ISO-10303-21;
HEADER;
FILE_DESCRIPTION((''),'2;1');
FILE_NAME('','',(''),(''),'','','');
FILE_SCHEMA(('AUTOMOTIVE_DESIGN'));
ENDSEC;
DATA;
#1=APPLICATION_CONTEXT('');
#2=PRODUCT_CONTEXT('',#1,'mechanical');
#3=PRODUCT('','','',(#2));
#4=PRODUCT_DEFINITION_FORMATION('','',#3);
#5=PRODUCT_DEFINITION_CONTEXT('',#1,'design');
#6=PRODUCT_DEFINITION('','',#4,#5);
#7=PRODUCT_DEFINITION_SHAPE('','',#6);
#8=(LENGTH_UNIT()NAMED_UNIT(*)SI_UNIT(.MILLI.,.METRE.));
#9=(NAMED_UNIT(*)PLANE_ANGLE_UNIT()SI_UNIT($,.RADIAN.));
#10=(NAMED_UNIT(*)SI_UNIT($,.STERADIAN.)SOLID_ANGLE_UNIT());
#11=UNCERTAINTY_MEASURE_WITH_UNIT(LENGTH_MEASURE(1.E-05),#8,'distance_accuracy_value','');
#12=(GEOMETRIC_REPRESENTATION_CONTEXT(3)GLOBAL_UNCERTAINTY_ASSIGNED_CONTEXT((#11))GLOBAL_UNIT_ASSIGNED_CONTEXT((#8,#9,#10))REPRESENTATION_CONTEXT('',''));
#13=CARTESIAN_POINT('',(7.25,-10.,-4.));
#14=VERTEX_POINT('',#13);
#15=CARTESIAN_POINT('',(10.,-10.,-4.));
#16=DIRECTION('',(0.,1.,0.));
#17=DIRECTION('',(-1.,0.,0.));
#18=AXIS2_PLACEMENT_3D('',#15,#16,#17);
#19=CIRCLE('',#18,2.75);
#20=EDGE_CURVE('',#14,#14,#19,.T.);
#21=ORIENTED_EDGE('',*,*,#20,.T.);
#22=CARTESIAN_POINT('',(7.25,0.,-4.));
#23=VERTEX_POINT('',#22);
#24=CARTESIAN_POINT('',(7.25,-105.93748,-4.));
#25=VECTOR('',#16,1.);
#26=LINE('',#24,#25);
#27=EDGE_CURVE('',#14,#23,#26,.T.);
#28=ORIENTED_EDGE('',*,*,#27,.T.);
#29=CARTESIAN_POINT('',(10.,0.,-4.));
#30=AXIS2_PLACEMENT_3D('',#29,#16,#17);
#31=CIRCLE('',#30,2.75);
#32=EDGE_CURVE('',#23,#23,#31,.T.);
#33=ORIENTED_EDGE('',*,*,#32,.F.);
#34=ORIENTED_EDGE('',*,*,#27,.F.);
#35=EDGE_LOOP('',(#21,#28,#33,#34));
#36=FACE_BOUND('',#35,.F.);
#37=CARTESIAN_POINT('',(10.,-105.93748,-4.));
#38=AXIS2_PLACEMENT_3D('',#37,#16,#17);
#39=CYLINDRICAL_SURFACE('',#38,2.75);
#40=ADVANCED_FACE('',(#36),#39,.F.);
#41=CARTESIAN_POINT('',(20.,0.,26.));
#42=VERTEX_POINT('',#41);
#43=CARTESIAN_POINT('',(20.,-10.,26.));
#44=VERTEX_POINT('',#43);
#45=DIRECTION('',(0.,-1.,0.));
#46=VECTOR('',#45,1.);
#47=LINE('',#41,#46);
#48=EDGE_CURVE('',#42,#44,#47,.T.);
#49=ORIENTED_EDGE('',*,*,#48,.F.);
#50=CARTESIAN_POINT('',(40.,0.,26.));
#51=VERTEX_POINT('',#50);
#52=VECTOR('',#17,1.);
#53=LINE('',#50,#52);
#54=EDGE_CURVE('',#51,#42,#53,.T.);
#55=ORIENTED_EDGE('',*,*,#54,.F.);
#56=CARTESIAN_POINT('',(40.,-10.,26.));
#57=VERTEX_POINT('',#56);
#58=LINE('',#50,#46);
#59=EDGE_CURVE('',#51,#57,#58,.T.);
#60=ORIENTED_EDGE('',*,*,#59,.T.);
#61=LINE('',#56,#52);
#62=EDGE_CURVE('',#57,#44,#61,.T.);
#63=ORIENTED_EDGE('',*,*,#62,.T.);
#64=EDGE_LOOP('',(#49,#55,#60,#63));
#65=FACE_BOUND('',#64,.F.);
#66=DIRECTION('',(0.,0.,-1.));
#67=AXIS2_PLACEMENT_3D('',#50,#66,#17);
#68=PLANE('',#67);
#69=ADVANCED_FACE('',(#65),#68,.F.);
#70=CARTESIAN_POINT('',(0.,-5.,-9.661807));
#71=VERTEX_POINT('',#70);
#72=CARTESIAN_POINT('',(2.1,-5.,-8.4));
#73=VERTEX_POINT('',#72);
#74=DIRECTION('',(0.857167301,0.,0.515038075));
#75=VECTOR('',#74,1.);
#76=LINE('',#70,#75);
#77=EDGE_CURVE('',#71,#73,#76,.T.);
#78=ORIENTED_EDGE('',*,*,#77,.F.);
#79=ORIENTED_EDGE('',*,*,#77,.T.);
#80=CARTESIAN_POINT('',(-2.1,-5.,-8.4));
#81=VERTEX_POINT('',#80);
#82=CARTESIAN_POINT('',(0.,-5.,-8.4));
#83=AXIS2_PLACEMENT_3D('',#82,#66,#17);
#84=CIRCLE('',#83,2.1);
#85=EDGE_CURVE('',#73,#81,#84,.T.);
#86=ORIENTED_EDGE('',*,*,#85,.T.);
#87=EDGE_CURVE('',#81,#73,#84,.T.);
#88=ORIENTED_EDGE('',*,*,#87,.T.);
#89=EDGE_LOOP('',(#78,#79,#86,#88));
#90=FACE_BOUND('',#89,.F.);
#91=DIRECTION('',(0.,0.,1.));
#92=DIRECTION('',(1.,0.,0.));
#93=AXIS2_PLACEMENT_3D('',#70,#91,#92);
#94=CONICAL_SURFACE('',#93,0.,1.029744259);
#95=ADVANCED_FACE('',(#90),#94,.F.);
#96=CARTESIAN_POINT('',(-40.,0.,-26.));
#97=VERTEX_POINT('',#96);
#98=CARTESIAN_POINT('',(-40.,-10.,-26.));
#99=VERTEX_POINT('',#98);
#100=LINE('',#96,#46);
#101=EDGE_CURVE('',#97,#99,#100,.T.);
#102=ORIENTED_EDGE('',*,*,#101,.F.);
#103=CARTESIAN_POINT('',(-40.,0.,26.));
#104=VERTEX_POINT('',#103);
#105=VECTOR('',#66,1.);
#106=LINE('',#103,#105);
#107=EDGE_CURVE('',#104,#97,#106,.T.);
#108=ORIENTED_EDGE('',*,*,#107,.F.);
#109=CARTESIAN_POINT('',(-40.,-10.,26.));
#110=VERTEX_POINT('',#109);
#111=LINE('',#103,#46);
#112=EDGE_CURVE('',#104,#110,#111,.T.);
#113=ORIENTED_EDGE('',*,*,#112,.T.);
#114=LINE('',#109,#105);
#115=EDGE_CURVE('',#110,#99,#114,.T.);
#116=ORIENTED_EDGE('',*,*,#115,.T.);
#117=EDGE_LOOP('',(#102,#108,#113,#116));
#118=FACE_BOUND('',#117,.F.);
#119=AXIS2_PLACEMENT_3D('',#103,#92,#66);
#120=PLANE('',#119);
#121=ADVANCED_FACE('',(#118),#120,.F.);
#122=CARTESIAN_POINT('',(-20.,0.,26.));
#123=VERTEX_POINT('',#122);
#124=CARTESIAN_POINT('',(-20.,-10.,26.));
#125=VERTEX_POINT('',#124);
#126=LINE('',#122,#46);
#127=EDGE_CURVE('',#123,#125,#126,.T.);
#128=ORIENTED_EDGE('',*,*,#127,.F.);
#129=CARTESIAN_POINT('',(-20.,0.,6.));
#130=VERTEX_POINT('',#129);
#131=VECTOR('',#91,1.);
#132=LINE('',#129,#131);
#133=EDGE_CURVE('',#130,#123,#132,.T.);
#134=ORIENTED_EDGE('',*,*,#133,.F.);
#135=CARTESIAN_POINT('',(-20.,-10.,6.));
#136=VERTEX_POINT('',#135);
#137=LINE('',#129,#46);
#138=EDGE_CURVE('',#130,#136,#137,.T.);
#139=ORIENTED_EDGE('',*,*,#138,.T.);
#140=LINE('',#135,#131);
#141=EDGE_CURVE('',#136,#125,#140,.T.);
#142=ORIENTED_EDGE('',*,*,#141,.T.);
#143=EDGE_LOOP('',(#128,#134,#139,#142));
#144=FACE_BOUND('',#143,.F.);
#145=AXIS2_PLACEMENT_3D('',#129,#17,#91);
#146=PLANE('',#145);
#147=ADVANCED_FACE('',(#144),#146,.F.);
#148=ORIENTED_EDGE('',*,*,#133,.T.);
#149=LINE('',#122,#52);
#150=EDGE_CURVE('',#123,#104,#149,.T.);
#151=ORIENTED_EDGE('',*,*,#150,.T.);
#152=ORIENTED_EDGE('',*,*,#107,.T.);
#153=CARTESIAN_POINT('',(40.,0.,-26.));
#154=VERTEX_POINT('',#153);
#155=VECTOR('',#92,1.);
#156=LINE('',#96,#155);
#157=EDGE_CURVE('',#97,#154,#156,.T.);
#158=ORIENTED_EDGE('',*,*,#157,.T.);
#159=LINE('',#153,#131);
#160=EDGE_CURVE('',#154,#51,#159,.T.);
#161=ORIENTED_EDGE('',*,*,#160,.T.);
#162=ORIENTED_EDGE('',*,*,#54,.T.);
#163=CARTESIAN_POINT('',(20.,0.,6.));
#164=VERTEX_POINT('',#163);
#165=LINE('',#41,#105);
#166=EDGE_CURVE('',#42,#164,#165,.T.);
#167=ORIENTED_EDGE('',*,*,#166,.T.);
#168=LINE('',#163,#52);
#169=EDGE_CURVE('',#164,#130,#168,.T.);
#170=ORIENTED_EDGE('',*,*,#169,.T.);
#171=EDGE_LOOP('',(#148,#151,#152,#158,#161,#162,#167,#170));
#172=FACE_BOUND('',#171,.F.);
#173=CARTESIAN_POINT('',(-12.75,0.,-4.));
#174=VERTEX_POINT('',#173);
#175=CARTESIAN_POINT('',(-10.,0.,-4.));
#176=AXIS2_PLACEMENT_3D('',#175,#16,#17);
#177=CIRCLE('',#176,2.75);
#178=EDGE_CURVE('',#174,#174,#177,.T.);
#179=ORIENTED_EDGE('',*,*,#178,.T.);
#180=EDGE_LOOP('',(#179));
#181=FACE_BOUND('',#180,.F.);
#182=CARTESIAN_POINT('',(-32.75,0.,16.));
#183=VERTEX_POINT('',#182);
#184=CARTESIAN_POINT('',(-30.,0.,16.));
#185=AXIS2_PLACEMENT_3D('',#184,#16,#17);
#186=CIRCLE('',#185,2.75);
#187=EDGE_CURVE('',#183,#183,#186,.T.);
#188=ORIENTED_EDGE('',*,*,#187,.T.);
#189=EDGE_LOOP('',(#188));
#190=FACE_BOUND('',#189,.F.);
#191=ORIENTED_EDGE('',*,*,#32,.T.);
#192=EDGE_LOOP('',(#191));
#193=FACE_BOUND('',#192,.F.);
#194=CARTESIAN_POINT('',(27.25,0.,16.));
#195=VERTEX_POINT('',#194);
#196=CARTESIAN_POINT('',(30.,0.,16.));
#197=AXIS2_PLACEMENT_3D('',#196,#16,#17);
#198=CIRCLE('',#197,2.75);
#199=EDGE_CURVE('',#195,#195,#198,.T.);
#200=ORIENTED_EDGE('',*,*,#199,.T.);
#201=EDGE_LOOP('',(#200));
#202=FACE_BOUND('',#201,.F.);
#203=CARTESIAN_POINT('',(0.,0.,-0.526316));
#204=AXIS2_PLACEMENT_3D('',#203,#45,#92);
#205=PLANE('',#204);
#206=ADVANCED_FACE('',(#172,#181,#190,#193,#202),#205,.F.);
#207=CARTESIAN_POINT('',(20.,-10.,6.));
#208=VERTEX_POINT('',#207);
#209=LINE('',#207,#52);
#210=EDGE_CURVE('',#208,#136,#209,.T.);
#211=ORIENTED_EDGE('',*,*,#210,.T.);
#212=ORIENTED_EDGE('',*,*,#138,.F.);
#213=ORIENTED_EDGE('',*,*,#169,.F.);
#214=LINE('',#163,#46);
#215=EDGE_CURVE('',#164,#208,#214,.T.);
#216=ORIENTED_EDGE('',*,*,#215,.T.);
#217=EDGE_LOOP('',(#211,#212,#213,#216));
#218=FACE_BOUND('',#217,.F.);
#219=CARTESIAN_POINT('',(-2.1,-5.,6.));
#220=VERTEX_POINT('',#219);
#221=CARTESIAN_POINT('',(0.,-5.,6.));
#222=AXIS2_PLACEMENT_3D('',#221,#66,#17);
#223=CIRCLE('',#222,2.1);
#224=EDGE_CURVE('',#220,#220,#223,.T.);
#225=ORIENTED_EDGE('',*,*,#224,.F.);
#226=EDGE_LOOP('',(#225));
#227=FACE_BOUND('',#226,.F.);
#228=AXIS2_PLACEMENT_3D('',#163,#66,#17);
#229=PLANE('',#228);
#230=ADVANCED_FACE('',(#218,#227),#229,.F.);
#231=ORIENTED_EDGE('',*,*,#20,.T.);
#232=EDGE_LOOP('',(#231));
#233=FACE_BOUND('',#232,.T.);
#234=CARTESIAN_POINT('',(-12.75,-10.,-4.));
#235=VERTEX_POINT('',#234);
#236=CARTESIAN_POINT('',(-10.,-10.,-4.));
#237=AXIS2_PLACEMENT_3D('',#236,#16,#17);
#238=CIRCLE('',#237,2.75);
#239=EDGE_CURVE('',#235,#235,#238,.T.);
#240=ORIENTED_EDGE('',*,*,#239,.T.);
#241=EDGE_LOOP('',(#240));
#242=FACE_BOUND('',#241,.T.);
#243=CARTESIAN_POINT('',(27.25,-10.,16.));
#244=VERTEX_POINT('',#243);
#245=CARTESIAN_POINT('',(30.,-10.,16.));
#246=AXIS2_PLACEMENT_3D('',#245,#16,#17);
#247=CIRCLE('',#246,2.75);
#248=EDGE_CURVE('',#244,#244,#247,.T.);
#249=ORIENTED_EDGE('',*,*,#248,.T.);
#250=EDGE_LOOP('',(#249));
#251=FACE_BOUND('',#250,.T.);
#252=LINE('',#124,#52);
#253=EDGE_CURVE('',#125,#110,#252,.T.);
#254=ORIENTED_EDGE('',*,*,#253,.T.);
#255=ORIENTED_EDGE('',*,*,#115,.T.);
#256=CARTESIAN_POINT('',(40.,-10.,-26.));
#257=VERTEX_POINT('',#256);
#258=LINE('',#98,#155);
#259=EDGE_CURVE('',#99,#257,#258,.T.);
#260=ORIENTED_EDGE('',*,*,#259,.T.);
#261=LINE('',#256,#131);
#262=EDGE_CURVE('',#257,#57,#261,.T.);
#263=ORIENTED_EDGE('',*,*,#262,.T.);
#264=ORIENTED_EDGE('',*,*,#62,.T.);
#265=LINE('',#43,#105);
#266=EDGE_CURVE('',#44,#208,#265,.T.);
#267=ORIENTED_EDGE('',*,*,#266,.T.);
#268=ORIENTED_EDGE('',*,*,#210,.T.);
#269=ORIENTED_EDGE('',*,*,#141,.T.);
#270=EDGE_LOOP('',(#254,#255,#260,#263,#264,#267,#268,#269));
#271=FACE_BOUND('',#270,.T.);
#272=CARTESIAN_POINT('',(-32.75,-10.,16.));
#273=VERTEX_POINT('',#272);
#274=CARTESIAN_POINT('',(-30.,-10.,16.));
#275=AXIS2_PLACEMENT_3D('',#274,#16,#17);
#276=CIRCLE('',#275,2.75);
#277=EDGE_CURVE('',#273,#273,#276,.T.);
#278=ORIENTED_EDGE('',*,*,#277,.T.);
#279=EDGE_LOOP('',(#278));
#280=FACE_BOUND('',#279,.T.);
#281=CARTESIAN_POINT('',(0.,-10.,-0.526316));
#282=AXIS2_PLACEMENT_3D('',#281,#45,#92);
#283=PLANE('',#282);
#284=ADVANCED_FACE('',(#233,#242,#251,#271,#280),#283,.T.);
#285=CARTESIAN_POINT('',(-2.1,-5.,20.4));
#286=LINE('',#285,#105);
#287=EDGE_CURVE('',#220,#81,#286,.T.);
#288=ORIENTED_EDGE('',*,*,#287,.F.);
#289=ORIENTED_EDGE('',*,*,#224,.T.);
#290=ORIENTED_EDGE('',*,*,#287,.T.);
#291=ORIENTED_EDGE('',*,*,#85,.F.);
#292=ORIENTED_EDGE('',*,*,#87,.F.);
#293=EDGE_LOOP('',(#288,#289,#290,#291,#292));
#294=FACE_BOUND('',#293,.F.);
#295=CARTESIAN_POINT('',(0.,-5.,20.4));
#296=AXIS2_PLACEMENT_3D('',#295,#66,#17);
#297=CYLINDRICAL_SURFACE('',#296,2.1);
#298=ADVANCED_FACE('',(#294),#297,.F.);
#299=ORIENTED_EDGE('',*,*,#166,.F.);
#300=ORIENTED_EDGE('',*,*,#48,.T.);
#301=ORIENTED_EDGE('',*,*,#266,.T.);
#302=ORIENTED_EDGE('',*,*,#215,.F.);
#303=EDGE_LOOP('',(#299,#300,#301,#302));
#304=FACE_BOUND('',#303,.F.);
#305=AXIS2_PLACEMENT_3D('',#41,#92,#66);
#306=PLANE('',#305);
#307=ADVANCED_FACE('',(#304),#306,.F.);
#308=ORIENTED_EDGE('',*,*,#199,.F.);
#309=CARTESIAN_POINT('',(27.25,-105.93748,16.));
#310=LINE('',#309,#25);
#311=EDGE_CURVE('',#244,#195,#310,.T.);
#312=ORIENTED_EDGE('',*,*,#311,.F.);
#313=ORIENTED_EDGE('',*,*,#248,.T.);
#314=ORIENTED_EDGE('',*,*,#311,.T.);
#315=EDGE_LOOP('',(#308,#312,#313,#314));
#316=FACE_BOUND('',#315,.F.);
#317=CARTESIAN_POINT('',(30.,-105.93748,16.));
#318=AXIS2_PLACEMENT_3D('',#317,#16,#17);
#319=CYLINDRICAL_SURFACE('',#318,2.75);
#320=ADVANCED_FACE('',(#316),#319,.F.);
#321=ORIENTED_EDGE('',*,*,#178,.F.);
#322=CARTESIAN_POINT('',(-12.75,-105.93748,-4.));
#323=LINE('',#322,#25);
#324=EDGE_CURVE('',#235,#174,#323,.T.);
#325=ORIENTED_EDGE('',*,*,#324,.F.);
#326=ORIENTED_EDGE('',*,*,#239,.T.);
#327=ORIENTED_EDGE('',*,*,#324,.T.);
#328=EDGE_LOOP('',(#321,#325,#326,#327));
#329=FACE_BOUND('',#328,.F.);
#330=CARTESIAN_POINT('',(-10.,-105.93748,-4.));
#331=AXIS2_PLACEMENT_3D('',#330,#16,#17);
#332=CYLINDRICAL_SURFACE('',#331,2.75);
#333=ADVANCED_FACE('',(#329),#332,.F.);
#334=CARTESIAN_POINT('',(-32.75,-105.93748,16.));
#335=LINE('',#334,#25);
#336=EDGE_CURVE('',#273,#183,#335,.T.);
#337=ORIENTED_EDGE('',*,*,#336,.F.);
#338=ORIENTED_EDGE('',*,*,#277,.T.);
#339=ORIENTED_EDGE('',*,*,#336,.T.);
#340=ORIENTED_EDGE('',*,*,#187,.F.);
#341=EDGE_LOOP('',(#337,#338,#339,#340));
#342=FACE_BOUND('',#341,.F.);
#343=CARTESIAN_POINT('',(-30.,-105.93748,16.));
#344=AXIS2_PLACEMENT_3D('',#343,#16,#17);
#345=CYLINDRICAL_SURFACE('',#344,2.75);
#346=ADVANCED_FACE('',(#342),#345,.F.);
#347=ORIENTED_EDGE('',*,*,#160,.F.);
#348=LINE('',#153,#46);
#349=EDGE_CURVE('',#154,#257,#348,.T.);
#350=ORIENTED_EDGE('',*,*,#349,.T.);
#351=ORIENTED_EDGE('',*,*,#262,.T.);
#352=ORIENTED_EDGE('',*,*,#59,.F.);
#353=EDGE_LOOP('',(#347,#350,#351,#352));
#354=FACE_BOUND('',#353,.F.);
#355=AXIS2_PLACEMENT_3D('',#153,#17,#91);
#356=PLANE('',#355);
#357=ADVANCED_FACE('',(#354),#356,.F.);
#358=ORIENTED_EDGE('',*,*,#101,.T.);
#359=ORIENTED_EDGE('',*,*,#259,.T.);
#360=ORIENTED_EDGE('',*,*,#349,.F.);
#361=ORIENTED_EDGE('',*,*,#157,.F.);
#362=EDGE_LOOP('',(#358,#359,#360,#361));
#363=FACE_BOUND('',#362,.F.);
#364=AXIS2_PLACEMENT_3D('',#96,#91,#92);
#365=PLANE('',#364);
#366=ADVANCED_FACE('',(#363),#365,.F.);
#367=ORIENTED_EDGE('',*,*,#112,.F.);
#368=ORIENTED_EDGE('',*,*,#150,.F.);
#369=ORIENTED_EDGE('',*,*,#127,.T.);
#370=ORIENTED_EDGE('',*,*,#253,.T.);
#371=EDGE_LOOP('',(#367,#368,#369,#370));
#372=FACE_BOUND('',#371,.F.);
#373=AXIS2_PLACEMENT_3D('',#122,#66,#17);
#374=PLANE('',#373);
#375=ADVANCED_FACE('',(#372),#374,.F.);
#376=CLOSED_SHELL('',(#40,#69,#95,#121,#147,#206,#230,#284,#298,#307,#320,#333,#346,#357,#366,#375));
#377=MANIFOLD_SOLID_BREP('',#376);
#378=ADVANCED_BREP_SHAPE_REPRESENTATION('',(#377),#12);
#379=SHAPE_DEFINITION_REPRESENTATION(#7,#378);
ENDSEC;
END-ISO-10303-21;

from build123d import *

# Parameters (mm, degrees)
F1_DEPTH = 10
F3_D     = 5.5
F5_D     = 4.2
F5_DEPTH = 14.4
F5_TIP   = 1.2618073


with BuildPart() as f1:
    # F0 (on Front) → F1 (new body)
    with BuildSketch(Plane.XZ):
        Polygon((-40, 26), (-40, -26), (40, -26), (40, 26), (20, 26), (20, 6), (-20, 6), (-20, 26), align=None)
    extrude(amount=F1_DEPTH)

    # F3 (through all)
    with Locations(Plane.XZ.offset(10)):
        with Locations((-30, 16), (-10, -4), (10, -4), (30, 16)):
            Hole(F3_D / 2)

    # F5
    with Locations(Plane.XY.offset(6)):
        with Locations((0, -5.0000003539)):
            Hole(F5_D / 2, depth=F5_DEPTH)
            with Locations((0, 0, -(F5_DEPTH + F5_TIP / 2))):  # 118° drill point
                Cone(0, F5_D / 2, F5_TIP, mode=Mode.SUBTRACT)


solid = f1.part
